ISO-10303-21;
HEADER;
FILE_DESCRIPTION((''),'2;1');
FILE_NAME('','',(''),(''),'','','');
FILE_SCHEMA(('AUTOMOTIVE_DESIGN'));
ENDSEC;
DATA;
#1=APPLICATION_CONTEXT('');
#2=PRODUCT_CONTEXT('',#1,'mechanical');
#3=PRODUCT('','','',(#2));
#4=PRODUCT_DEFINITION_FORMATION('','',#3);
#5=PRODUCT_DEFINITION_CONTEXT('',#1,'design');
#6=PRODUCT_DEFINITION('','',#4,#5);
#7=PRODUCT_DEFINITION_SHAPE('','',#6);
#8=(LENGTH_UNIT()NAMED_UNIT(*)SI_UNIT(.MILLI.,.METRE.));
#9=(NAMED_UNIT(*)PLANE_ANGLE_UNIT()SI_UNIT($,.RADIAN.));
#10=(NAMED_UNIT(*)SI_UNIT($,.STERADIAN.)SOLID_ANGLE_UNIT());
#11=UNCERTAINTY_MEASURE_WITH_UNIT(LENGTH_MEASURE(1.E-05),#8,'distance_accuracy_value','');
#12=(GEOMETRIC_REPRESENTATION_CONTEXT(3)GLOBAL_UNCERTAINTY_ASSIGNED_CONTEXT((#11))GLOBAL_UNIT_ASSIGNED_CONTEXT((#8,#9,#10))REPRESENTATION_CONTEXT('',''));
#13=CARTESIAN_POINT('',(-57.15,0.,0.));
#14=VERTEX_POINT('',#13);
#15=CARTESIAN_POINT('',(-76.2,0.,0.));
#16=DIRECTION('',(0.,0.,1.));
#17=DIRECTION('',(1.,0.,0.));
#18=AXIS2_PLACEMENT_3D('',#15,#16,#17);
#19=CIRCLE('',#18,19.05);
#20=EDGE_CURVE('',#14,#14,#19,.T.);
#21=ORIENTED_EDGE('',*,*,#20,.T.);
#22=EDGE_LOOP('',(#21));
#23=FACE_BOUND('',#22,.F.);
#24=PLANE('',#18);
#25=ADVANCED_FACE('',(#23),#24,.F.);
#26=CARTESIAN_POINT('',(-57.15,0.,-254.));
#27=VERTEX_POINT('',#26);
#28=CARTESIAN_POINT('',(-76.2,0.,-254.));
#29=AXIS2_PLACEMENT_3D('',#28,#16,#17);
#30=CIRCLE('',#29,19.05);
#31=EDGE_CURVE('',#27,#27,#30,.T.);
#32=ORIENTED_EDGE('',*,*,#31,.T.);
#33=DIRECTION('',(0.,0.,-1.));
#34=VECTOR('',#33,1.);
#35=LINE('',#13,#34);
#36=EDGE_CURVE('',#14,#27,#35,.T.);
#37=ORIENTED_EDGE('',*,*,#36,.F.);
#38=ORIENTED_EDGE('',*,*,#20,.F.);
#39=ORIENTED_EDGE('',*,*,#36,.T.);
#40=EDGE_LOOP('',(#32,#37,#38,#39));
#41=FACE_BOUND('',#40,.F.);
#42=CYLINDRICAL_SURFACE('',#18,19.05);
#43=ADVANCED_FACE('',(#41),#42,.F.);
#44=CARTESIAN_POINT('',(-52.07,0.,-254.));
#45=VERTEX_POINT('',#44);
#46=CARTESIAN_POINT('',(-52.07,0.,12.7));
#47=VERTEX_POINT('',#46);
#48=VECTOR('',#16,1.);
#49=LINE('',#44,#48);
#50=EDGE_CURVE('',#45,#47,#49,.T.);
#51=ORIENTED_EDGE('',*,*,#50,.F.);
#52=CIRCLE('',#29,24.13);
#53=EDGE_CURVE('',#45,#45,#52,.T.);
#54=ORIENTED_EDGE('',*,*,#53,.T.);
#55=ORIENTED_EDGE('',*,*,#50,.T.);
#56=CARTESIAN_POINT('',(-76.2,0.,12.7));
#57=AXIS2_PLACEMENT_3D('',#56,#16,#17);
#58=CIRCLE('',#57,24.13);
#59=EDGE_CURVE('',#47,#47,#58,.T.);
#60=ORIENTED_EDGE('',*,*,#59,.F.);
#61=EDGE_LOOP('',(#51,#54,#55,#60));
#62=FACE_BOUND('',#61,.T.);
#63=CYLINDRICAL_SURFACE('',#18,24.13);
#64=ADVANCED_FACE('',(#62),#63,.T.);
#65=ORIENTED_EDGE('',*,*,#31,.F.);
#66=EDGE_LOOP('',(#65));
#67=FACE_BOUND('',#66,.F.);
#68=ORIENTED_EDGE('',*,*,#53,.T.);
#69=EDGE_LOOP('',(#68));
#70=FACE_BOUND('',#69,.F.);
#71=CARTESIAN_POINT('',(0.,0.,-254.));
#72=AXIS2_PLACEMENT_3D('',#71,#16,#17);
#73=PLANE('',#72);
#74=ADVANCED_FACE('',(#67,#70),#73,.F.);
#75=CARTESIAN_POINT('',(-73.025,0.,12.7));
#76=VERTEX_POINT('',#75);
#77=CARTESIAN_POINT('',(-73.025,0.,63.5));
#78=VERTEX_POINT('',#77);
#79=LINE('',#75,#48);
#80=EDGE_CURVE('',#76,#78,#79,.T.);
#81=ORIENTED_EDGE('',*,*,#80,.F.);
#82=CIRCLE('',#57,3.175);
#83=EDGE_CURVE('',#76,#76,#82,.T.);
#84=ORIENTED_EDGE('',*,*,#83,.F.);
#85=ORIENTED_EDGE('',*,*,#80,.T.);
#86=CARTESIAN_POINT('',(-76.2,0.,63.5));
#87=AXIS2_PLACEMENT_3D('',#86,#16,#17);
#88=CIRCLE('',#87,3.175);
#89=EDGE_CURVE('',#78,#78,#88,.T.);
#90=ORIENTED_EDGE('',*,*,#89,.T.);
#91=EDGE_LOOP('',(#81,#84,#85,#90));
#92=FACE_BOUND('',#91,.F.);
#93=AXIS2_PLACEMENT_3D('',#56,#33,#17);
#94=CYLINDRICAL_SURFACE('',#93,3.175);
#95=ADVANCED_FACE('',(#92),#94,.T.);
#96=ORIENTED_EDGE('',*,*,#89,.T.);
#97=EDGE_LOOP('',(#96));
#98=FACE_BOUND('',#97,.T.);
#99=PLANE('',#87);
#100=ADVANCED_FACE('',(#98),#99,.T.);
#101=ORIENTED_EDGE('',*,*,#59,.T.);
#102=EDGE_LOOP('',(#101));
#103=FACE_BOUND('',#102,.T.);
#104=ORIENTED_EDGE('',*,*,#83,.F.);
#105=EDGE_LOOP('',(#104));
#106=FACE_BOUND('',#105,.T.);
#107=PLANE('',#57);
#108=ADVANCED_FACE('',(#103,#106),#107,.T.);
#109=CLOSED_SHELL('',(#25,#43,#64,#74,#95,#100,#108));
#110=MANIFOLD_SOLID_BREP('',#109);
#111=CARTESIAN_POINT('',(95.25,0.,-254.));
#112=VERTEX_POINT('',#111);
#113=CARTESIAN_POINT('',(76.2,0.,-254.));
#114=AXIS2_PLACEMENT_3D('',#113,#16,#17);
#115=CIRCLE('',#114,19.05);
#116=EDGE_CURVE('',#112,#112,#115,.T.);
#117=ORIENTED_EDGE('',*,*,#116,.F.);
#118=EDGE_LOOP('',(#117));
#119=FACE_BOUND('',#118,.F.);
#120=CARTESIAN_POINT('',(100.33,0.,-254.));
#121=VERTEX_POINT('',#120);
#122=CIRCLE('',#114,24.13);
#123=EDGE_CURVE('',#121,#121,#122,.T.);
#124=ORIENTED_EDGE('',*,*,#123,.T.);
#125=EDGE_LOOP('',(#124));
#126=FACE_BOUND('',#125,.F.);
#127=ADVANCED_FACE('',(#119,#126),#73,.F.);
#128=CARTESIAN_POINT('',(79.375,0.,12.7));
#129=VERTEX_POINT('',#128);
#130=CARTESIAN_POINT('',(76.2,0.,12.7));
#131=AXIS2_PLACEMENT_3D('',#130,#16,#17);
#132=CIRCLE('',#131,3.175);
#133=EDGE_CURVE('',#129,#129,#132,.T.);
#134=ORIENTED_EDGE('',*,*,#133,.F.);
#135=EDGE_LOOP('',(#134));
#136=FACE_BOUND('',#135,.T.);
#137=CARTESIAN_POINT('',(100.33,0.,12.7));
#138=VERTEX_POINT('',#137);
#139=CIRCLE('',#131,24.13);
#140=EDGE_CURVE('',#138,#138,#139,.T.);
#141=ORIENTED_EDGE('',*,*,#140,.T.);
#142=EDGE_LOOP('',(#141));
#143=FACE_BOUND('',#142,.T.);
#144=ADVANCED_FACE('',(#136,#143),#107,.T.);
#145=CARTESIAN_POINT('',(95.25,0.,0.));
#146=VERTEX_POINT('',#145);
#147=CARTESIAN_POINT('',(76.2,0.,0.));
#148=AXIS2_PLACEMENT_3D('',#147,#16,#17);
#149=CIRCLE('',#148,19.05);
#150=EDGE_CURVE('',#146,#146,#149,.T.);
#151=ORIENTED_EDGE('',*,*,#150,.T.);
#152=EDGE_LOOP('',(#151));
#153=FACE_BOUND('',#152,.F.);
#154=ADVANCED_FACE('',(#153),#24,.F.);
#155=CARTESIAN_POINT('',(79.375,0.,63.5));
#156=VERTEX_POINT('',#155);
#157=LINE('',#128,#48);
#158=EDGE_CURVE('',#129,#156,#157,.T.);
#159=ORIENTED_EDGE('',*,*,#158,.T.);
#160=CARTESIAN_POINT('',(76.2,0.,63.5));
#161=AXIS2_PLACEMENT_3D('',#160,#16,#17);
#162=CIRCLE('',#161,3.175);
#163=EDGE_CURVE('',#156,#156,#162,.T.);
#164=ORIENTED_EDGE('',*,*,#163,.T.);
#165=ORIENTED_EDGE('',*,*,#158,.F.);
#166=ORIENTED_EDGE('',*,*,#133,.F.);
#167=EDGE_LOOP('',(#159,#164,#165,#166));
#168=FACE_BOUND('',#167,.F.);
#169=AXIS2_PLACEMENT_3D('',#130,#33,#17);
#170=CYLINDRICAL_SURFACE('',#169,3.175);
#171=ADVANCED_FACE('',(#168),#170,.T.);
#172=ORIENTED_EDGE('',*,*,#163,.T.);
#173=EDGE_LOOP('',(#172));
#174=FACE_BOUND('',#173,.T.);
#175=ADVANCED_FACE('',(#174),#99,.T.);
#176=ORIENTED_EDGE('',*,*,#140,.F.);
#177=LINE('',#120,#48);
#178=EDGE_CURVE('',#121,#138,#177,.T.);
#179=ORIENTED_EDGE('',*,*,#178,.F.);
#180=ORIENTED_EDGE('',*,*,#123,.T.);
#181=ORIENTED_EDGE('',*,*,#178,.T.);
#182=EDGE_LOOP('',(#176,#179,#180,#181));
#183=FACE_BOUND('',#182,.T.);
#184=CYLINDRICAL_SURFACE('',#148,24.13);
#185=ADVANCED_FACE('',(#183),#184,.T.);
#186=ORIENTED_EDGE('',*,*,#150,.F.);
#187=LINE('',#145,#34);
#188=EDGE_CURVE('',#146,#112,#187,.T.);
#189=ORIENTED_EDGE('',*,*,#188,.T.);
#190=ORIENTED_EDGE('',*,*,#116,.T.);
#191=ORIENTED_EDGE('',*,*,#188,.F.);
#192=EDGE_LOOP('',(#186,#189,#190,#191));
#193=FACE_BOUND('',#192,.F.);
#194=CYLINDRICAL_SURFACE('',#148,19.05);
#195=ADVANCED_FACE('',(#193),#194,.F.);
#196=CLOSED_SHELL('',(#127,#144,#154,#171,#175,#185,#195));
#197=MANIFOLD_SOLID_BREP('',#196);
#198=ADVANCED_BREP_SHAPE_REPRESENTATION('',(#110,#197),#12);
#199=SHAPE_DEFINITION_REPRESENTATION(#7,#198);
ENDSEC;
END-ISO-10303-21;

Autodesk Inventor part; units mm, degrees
ref_plane "YZ Plane" through (0, 0, 0) normal (1, 0, 0) x (0, 1, 0)
ref_plane "XZ Plane" through (0, 0, 0) normal (0, 1, 0) x (-1, 0, 0)
ref_plane "XY Plane" through (0, 0, 0) normal (0, 0, 1) x (1, 0, 0)
sketch "Sketch1" plane through (0, 0, 0) normal (0, 0, 1) x (1, 0, 0)
  circle A0 centre (-76.2, 0) radius 19.05
  circle A1 centre (-76.2, 0) radius 24.13
  line L0 (0, 0) -> (0, 45.2549) construction
  circle A2 centre (76.2, 0) radius 19.05
  circle A3 centre (76.2, 0) radius 24.13
  dimension "d0" = 38.1
  dimension "d1" = 76.2
  dimension "d2" = 48.26
extrude "Extrusion1" add sketch "Sketch1" against normal blind 254
sketch "Sketch2" plane through (-76.2, 0, 0) normal (0, 0, 1) x (1, 0, 0)
  circle A0 centre (0, 0) radius 24.13
  circle A1 centre (152.4, 0) radius 19.05 projected
  circle A2 centre (152.4, 0) radius 24.13
  point P0 (76.2, 0)
extrude "Extrusion3" add sketch "Sketch2" along normal blind 12.7 contours A0 | A1 | A2
sketch "Sketch3" plane through (-76.2, 0, 12.7) normal (0, 0, 1) x (1, 0, 0)
  circle A0 centre (0, 0) radius 3.175
  circle A1 centre (152.4, 0) radius 19.05 projected
  circle A2 centre (152.4, 0) radius 3.175
  point P0 (76.2, 0)
  dimension "d9" = 6.35
  dimension "d10" = 6.35
extrude "Extrusion4" add sketch "Sketch3" along normal blind 50.8 contours A0 | A2
properties part number "endOfArm"
